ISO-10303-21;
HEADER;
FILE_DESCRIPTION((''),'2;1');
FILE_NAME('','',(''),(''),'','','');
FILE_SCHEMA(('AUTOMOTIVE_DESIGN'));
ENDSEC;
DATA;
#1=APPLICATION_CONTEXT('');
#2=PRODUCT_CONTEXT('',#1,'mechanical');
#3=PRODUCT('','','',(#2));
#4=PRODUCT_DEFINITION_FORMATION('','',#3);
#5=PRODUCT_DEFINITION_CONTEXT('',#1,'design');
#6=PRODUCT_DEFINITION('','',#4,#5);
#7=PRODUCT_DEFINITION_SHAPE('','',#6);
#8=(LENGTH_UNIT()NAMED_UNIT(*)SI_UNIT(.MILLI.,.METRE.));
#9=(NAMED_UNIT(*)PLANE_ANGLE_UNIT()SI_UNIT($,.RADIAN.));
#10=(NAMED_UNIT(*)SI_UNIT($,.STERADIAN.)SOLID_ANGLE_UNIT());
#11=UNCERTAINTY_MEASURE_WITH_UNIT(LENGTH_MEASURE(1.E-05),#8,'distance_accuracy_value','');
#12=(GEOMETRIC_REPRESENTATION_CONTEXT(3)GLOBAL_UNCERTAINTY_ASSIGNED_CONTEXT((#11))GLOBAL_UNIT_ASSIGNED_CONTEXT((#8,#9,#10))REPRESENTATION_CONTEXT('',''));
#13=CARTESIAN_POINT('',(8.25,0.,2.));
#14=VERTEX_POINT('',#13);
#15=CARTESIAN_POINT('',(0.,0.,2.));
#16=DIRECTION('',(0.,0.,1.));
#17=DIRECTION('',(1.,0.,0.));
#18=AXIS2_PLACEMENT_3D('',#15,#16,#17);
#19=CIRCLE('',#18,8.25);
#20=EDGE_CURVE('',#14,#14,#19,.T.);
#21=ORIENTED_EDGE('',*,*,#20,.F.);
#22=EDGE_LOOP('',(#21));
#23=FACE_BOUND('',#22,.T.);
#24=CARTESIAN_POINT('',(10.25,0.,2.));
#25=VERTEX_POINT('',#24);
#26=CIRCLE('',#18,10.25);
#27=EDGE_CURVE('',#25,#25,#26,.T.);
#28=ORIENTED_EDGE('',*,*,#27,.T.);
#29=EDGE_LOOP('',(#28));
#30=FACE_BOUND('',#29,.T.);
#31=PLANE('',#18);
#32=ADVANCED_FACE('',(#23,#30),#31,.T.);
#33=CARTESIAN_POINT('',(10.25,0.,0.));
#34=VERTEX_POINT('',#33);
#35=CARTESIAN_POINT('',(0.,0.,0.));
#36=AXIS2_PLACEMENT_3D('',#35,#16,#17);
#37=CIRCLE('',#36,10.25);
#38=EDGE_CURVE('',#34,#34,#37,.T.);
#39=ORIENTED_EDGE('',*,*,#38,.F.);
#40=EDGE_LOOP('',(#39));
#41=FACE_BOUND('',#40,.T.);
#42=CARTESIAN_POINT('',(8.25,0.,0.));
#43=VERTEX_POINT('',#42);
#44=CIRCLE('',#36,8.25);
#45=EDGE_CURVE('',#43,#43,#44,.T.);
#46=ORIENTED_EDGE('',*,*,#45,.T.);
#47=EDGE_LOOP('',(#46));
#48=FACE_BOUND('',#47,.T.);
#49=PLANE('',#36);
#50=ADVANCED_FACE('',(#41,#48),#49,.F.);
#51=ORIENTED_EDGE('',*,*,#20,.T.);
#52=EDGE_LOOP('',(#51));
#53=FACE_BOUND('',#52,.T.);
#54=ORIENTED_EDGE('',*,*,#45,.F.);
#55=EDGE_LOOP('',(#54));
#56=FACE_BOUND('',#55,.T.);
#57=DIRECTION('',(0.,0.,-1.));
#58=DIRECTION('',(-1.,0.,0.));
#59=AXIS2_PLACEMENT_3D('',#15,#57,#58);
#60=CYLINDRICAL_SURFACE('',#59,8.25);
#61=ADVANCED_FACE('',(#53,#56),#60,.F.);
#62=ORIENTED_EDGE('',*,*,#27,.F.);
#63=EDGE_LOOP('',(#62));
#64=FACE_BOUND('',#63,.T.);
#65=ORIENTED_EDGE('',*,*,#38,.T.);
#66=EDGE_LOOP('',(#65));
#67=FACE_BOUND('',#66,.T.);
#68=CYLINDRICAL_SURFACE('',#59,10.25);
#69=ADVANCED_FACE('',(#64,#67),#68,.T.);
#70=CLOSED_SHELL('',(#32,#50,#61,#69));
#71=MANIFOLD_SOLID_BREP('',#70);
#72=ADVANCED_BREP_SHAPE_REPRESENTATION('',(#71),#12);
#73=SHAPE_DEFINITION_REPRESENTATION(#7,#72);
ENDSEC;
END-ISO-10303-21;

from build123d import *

# Parameters (mm, degrees)
SKETCH_1_R      = 10.25
SKETCH_1_R_2    = 8.25
EXTRUDE_1_DEPTH = 2


with BuildPart() as part:
    # ｽｹｯﾁ1 → ﾎﾞｽ - 押し出し1 (new body)
    with BuildSketch(Plane.XY):
        Circle(SKETCH_1_R)
        Circle(SKETCH_1_R_2, mode=Mode.SUBTRACT)
    extrude(amount=EXTRUDE_1_DEPTH)


solid = part.part
